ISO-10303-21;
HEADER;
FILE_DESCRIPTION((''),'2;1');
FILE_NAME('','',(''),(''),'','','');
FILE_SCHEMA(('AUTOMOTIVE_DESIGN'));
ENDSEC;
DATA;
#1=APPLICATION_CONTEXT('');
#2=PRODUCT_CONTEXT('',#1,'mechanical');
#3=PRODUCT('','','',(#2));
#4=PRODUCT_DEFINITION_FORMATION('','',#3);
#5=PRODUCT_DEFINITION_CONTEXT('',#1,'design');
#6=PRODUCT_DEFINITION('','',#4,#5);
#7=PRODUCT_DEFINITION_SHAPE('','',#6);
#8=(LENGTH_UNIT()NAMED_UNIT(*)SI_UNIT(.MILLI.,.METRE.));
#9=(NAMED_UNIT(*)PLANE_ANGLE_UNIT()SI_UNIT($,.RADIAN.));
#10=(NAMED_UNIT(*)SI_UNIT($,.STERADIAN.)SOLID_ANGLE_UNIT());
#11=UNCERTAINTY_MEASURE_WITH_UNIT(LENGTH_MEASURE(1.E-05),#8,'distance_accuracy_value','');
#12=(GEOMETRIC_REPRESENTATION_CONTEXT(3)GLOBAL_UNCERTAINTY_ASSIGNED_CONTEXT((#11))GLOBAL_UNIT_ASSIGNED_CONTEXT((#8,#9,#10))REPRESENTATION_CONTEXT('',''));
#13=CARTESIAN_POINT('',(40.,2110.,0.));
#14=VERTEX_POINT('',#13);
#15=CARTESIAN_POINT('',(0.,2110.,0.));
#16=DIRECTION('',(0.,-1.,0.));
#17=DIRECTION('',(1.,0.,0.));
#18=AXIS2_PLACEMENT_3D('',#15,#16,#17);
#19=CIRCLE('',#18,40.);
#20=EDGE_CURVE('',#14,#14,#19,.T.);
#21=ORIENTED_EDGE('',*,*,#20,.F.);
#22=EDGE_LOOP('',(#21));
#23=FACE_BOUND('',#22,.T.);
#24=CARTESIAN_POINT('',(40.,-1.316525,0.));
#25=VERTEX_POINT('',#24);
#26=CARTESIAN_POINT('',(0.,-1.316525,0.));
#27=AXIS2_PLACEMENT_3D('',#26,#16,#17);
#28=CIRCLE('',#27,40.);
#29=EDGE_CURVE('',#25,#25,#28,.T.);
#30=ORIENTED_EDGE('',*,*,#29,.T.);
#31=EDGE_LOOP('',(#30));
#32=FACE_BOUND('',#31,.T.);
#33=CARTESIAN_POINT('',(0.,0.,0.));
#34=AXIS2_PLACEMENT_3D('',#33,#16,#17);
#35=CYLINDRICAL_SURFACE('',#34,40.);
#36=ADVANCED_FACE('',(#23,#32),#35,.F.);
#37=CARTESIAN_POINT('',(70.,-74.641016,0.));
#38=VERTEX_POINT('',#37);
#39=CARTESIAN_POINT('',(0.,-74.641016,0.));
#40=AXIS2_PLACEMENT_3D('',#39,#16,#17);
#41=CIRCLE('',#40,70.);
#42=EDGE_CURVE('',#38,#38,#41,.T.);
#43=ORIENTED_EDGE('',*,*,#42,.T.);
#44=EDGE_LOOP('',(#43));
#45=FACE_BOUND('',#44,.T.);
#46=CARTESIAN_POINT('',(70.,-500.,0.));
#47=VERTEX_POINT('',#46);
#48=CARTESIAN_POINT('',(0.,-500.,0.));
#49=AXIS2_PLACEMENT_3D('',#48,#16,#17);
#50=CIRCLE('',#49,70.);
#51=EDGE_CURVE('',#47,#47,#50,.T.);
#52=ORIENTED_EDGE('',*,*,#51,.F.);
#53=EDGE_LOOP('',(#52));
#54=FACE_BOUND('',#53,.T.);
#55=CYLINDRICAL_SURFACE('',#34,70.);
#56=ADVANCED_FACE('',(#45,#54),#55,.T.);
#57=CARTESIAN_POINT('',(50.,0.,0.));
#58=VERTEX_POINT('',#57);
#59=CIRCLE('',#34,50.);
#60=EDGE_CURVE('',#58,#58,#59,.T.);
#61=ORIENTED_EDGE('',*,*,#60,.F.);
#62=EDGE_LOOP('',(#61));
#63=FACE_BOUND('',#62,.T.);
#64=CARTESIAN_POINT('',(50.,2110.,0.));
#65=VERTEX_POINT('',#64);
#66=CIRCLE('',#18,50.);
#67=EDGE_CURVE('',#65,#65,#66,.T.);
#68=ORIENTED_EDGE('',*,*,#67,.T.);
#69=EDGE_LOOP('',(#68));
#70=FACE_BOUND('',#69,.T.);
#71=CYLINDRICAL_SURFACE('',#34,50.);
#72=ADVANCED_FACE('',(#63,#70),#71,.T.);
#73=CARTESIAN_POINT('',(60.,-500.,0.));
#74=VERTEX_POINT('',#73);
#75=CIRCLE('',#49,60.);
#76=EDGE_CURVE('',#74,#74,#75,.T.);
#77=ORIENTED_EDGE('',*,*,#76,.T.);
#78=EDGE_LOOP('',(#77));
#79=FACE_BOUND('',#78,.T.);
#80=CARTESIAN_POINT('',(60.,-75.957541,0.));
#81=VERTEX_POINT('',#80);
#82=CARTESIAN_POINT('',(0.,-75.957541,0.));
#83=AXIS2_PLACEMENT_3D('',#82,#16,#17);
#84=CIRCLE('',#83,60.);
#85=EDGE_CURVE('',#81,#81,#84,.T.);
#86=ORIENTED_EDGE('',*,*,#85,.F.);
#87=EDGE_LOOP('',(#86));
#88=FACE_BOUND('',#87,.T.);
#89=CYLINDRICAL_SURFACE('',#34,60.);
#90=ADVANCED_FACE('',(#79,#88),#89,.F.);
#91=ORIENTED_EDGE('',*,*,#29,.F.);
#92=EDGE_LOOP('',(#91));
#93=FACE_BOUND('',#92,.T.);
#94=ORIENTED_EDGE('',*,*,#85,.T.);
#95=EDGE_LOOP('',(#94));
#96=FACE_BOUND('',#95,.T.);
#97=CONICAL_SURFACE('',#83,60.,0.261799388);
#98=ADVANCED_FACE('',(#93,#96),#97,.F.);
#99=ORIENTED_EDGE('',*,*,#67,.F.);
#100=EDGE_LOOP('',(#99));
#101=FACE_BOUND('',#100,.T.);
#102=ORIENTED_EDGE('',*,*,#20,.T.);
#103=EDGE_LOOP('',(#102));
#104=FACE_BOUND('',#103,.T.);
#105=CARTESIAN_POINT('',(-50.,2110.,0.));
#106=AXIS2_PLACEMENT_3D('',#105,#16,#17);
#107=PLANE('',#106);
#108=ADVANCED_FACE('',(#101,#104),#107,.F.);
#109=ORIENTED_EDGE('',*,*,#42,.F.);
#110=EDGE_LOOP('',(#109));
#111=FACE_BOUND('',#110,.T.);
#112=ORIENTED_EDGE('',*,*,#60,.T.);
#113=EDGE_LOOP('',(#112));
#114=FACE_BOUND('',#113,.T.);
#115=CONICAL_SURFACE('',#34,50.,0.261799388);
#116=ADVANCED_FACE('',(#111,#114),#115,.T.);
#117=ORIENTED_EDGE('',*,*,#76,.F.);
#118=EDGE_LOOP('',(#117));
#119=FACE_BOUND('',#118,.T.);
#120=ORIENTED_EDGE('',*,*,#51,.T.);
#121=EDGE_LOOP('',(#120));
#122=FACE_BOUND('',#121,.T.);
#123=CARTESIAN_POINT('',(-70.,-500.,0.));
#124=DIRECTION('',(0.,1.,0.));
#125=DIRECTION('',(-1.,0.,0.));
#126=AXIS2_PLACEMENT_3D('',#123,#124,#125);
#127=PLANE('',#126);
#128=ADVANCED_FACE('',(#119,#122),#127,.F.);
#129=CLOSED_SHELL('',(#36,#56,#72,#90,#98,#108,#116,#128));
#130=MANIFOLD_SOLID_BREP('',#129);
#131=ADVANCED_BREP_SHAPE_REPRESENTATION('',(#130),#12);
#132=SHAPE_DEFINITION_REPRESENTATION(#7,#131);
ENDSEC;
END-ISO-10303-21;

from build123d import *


with BuildPart() as part:
    # Sketch1 → Revolve1 (revolve)
    with BuildSketch(Plane.XY):
        Polygon((-70, -74.641016151), (-70, -500), (-60, -500), (-60, -75.957541127), (-40, -1.316524976), (-40, 2110), (-50, 2110), (-50, 0), align=None)
    revolve(axis=Axis((0, 0, 0), (0, 1, 0)))


solid = part.part
